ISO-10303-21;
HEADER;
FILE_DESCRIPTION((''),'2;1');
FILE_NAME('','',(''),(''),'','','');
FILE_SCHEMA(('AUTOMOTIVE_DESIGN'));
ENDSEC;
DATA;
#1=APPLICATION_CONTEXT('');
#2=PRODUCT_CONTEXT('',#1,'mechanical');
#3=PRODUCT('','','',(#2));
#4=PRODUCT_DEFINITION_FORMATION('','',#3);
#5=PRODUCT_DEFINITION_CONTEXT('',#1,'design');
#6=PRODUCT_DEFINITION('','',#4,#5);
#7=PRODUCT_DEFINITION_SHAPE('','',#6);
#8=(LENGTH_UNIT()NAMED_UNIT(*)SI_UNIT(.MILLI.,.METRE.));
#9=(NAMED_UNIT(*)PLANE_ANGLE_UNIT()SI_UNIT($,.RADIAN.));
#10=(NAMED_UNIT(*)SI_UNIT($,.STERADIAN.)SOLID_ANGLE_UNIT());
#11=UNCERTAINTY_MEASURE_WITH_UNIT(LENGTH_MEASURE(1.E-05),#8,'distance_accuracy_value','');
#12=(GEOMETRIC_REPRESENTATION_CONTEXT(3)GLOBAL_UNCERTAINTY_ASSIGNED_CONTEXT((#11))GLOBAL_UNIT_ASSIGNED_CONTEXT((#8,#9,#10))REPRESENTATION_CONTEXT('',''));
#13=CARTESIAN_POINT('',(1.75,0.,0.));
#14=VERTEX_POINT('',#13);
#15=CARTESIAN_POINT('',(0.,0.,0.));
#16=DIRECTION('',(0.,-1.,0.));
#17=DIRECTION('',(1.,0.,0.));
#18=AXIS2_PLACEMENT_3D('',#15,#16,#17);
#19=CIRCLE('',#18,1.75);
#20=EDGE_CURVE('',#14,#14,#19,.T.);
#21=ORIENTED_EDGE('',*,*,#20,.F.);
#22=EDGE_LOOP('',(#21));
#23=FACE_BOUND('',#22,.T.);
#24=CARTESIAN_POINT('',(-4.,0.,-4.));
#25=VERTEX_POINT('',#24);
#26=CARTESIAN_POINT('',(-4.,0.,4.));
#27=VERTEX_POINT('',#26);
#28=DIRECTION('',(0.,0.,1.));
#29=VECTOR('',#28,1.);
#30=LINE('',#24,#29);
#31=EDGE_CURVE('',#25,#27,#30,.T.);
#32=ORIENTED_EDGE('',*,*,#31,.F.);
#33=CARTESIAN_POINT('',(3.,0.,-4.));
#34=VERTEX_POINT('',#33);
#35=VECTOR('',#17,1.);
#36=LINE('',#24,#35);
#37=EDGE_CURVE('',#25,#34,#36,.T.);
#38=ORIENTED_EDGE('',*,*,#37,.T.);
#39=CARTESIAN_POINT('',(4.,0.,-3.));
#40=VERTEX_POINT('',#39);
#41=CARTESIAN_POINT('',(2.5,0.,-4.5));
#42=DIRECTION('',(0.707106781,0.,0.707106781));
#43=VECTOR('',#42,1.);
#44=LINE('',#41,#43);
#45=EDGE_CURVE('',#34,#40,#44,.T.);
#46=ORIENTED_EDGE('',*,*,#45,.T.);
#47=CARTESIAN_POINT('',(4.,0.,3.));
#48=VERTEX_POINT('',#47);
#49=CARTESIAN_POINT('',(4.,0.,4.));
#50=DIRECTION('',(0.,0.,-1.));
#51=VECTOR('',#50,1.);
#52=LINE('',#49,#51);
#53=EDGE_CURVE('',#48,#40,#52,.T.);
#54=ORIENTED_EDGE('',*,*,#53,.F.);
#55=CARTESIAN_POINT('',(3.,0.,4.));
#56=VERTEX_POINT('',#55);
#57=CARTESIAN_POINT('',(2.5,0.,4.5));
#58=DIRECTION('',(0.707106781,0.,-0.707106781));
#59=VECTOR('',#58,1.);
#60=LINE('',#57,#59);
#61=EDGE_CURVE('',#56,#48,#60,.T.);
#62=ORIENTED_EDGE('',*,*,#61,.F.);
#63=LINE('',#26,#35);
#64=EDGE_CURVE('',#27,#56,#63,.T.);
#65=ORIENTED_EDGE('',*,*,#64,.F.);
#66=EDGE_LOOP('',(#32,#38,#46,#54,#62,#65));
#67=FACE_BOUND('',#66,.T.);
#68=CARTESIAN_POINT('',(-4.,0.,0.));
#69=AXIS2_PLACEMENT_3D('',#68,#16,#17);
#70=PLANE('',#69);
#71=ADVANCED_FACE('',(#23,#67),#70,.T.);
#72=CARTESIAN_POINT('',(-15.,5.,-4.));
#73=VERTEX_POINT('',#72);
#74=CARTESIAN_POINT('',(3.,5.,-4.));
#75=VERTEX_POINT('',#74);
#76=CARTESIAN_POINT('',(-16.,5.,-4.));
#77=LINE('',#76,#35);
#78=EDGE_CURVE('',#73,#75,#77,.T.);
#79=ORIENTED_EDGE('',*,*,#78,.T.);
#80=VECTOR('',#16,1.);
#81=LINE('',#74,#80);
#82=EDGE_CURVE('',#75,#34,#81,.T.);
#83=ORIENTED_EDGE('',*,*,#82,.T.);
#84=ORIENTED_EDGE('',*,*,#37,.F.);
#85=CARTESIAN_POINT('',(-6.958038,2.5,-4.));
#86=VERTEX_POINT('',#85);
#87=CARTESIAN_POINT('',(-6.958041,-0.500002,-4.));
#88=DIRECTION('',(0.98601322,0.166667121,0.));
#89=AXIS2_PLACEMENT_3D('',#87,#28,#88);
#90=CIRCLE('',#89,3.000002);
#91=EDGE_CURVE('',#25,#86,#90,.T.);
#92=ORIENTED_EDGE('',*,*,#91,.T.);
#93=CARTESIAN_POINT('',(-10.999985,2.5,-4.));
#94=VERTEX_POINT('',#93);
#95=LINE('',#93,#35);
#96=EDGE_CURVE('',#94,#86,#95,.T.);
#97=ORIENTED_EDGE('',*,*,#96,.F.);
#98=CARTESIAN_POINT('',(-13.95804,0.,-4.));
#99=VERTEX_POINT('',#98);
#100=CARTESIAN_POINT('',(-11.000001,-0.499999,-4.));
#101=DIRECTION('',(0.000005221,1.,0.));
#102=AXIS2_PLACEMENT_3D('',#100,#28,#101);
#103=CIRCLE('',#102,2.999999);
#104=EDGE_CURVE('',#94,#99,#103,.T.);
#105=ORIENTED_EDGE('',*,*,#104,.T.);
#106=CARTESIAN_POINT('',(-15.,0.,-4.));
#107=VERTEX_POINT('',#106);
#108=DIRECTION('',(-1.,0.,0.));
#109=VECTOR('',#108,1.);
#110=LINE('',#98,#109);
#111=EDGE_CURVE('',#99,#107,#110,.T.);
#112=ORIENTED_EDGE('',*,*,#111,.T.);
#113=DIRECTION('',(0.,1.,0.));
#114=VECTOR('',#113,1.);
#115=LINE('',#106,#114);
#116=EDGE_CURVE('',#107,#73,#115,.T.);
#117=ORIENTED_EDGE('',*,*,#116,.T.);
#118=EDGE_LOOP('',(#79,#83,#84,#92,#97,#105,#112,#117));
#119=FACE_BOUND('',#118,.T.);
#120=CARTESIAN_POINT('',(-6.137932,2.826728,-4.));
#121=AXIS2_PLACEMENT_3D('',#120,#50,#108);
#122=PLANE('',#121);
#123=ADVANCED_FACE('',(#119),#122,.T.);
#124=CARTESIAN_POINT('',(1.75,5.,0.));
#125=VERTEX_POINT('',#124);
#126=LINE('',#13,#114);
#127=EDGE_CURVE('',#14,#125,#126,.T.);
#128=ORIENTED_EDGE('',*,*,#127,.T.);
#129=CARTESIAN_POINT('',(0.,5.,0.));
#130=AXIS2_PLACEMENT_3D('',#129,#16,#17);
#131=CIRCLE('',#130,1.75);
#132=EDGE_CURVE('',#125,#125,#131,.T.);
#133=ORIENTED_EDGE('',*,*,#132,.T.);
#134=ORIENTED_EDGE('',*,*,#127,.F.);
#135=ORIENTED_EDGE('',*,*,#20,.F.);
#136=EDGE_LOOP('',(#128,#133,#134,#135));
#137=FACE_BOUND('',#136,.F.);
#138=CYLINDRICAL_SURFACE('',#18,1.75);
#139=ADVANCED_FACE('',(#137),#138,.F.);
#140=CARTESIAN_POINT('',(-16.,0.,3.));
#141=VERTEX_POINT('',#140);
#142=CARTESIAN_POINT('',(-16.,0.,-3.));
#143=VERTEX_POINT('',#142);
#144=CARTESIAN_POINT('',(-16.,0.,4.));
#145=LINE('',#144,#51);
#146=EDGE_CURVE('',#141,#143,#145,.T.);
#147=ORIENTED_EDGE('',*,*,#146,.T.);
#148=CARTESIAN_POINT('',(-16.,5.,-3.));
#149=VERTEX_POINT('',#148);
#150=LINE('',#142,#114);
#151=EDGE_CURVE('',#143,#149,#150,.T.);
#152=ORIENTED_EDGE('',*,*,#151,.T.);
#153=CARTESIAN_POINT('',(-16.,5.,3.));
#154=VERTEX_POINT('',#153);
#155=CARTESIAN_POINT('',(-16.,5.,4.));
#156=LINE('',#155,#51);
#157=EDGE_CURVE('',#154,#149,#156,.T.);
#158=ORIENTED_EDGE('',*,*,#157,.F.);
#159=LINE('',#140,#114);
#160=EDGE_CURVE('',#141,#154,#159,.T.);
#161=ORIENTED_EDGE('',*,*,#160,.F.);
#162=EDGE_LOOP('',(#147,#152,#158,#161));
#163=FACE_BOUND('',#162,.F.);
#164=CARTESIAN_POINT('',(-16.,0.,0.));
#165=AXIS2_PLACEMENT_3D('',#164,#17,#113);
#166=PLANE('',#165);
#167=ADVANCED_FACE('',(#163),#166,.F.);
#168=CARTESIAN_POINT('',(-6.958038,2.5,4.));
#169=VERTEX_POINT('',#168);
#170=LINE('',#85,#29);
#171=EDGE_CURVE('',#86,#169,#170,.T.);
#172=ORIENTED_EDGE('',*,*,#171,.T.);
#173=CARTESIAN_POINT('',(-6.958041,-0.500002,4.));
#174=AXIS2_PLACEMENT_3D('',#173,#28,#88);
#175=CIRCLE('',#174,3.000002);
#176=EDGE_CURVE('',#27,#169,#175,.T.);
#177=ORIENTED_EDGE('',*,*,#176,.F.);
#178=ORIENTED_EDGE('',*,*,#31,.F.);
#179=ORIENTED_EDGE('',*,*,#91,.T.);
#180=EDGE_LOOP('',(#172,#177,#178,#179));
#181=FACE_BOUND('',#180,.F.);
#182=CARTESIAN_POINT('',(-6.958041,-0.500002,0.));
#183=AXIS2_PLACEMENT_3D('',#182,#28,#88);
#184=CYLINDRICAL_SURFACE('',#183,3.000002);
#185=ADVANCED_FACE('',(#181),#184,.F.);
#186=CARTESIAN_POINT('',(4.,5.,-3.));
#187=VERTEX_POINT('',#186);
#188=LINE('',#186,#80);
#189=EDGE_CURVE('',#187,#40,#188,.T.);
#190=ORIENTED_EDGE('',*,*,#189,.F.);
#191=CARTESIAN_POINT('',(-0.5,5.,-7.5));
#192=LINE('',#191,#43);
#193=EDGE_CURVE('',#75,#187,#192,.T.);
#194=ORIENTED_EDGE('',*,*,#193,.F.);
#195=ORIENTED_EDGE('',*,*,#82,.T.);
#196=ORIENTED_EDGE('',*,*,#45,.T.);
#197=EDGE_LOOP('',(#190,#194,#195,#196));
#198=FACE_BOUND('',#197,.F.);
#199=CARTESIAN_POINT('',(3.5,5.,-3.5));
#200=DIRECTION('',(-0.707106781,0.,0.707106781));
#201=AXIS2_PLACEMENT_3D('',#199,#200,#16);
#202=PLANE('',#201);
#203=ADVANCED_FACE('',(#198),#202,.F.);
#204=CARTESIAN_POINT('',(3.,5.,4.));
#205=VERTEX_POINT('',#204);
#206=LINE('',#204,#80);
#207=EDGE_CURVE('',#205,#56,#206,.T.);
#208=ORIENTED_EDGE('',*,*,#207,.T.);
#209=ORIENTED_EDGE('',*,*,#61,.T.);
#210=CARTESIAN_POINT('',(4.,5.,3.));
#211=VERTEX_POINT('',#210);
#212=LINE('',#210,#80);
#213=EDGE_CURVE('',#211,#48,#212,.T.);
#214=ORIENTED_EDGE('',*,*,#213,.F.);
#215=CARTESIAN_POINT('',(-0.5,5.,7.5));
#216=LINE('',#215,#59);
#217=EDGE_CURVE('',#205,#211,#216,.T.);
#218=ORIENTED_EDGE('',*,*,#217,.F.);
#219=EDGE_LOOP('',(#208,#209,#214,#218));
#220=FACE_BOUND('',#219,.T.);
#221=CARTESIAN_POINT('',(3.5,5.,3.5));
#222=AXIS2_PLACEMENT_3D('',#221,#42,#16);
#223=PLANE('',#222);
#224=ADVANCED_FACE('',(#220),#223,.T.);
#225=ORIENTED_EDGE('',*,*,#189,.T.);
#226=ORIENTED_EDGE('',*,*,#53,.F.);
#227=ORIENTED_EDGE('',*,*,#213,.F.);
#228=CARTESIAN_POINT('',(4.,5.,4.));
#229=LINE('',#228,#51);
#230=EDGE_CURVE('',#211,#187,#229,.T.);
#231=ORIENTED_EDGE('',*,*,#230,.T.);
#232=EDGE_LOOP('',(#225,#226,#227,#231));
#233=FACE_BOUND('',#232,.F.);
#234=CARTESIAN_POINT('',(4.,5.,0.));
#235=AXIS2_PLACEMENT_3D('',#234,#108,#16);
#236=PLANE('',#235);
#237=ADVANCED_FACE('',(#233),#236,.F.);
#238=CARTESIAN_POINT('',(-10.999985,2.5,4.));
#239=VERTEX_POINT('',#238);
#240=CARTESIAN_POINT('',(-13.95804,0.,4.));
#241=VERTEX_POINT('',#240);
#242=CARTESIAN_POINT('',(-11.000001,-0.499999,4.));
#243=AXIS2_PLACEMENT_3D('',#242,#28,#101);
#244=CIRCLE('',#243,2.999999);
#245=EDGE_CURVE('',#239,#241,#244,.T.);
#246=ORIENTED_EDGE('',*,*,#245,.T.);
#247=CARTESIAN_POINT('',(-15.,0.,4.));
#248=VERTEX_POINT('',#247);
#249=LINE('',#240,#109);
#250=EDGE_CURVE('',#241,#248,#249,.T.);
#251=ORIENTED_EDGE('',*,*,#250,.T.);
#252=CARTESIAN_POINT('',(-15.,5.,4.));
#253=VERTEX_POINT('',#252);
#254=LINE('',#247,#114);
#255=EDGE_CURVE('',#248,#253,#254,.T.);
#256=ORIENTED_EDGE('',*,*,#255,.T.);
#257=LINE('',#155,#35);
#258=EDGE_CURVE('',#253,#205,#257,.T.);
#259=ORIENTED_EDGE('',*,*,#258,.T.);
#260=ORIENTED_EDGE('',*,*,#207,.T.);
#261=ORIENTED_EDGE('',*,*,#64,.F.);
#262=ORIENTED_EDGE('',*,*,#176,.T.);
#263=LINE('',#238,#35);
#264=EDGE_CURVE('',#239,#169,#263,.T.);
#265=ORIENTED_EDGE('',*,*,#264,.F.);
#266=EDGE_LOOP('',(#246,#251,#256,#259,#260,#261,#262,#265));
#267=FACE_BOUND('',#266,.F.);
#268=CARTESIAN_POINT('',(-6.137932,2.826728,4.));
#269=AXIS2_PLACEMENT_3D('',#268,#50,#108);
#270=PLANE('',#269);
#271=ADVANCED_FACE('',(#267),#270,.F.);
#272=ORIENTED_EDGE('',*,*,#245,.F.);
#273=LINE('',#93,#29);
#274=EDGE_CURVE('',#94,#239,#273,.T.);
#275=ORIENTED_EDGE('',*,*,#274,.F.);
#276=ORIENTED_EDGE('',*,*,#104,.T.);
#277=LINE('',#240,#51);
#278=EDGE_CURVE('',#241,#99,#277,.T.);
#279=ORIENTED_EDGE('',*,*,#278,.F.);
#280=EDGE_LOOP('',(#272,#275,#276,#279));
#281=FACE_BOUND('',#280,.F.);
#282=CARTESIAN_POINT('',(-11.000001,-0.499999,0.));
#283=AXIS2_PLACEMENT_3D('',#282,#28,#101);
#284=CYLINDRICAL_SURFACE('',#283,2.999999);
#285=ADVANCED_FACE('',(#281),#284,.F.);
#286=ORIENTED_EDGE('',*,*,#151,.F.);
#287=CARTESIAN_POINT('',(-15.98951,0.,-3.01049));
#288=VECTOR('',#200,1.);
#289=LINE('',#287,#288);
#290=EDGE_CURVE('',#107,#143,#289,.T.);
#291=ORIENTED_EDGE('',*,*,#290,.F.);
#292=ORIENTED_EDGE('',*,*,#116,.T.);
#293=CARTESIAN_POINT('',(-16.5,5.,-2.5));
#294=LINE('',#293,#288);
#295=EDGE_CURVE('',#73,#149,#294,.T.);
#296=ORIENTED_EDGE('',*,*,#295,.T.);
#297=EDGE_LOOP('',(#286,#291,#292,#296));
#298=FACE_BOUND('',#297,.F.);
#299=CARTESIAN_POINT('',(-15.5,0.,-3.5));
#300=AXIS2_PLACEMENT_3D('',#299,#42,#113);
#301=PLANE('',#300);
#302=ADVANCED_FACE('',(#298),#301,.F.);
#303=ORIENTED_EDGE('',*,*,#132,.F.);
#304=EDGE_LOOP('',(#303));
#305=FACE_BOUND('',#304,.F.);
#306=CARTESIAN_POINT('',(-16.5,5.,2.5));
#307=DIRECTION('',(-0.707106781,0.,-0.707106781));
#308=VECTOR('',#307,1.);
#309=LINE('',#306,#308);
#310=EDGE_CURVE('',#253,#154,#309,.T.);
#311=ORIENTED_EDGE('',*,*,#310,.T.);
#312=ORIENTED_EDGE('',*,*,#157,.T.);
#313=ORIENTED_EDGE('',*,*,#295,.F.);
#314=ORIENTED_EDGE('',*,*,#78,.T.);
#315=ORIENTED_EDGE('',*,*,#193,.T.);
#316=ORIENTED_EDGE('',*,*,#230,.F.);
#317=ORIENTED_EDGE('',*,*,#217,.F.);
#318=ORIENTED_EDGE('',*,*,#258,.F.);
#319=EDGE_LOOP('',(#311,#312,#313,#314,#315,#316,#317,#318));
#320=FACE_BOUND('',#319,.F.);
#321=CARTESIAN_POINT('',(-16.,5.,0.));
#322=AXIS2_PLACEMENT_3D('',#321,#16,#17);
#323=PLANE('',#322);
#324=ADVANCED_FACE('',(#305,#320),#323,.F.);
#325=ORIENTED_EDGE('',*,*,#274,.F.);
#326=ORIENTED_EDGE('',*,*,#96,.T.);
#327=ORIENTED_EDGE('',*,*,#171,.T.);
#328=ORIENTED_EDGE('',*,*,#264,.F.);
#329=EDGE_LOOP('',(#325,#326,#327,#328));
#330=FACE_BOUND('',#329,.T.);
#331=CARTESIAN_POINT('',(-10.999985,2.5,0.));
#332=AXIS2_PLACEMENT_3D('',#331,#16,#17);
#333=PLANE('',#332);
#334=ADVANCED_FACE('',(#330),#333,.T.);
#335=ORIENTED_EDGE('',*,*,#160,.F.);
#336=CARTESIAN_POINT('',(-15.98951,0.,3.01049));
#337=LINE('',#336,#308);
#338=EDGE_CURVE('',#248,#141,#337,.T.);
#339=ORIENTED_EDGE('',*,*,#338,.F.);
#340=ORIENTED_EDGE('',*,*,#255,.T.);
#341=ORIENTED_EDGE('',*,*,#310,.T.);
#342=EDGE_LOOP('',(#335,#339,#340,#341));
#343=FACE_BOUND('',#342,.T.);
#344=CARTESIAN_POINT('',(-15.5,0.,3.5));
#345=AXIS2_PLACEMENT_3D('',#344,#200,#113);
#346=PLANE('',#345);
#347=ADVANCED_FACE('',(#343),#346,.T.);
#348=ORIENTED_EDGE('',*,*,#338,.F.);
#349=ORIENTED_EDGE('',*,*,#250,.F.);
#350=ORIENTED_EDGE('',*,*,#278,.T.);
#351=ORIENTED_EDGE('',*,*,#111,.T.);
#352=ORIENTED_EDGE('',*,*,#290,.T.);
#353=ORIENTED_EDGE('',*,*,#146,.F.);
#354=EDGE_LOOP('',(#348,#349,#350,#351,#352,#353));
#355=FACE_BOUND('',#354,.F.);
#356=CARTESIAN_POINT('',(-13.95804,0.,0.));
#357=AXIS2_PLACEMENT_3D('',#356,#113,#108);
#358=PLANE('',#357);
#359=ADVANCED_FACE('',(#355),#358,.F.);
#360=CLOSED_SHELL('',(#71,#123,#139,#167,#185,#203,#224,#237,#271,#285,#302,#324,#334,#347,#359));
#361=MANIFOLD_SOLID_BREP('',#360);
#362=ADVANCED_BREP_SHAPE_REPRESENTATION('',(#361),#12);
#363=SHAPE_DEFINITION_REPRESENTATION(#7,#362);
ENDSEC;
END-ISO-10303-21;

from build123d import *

# Parameters (mm, degrees)
PAD_DEPTH      = 4
PAD_DEPTH_BACK = 4
SKETCH001_R    = 1.75
POCKET_DEPTH   = 5
CHAMFER_SIZE   = 1


with BuildPart() as part:
    # Sketch → Pad (new body, two sides)
    with BuildSketch(Plane.XY) as pad_sk:
        with BuildLine():
            ThreePointArc((-10.999985, 2.5), (-12.936486, 1.791293), (-13.95804, 0))
            Line((-13.95804, 0), (-16, 0))
            Line((-16, 0), (-16, 5))
            Line((-16, 5), (4, 5))
            Line((4, 5), (4, 0))
            Line((-4, 0), (4, 0))
            ThreePointArc((-4, 0), (-5.021548, 1.791287), (-6.958038, 2.5))
            Line((-10.999985, 2.5), (-6.958038, 2.5))
        make_face()
    extrude(amount=PAD_DEPTH)
    extrude(pad_sk.sketch, amount=-PAD_DEPTH_BACK)

    # Sketch001 → Pocket (cut)
    with BuildSketch(Plane.XZ):
        Circle(SKETCH001_R)
    extrude(amount=-POCKET_DEPTH, mode=Mode.SUBTRACT)

    # Chamfer
    chamfer_edges = [part.edges().sort_by_distance(p)[0] for p in [
        (-16, 2.5, 4),
        (-16, 2.5, -4),
        (4, 2.5, -4),
        (4, 2.5, 4),
    ]]
    chamfer(chamfer_edges, length=CHAMFER_SIZE)


solid = part.part
